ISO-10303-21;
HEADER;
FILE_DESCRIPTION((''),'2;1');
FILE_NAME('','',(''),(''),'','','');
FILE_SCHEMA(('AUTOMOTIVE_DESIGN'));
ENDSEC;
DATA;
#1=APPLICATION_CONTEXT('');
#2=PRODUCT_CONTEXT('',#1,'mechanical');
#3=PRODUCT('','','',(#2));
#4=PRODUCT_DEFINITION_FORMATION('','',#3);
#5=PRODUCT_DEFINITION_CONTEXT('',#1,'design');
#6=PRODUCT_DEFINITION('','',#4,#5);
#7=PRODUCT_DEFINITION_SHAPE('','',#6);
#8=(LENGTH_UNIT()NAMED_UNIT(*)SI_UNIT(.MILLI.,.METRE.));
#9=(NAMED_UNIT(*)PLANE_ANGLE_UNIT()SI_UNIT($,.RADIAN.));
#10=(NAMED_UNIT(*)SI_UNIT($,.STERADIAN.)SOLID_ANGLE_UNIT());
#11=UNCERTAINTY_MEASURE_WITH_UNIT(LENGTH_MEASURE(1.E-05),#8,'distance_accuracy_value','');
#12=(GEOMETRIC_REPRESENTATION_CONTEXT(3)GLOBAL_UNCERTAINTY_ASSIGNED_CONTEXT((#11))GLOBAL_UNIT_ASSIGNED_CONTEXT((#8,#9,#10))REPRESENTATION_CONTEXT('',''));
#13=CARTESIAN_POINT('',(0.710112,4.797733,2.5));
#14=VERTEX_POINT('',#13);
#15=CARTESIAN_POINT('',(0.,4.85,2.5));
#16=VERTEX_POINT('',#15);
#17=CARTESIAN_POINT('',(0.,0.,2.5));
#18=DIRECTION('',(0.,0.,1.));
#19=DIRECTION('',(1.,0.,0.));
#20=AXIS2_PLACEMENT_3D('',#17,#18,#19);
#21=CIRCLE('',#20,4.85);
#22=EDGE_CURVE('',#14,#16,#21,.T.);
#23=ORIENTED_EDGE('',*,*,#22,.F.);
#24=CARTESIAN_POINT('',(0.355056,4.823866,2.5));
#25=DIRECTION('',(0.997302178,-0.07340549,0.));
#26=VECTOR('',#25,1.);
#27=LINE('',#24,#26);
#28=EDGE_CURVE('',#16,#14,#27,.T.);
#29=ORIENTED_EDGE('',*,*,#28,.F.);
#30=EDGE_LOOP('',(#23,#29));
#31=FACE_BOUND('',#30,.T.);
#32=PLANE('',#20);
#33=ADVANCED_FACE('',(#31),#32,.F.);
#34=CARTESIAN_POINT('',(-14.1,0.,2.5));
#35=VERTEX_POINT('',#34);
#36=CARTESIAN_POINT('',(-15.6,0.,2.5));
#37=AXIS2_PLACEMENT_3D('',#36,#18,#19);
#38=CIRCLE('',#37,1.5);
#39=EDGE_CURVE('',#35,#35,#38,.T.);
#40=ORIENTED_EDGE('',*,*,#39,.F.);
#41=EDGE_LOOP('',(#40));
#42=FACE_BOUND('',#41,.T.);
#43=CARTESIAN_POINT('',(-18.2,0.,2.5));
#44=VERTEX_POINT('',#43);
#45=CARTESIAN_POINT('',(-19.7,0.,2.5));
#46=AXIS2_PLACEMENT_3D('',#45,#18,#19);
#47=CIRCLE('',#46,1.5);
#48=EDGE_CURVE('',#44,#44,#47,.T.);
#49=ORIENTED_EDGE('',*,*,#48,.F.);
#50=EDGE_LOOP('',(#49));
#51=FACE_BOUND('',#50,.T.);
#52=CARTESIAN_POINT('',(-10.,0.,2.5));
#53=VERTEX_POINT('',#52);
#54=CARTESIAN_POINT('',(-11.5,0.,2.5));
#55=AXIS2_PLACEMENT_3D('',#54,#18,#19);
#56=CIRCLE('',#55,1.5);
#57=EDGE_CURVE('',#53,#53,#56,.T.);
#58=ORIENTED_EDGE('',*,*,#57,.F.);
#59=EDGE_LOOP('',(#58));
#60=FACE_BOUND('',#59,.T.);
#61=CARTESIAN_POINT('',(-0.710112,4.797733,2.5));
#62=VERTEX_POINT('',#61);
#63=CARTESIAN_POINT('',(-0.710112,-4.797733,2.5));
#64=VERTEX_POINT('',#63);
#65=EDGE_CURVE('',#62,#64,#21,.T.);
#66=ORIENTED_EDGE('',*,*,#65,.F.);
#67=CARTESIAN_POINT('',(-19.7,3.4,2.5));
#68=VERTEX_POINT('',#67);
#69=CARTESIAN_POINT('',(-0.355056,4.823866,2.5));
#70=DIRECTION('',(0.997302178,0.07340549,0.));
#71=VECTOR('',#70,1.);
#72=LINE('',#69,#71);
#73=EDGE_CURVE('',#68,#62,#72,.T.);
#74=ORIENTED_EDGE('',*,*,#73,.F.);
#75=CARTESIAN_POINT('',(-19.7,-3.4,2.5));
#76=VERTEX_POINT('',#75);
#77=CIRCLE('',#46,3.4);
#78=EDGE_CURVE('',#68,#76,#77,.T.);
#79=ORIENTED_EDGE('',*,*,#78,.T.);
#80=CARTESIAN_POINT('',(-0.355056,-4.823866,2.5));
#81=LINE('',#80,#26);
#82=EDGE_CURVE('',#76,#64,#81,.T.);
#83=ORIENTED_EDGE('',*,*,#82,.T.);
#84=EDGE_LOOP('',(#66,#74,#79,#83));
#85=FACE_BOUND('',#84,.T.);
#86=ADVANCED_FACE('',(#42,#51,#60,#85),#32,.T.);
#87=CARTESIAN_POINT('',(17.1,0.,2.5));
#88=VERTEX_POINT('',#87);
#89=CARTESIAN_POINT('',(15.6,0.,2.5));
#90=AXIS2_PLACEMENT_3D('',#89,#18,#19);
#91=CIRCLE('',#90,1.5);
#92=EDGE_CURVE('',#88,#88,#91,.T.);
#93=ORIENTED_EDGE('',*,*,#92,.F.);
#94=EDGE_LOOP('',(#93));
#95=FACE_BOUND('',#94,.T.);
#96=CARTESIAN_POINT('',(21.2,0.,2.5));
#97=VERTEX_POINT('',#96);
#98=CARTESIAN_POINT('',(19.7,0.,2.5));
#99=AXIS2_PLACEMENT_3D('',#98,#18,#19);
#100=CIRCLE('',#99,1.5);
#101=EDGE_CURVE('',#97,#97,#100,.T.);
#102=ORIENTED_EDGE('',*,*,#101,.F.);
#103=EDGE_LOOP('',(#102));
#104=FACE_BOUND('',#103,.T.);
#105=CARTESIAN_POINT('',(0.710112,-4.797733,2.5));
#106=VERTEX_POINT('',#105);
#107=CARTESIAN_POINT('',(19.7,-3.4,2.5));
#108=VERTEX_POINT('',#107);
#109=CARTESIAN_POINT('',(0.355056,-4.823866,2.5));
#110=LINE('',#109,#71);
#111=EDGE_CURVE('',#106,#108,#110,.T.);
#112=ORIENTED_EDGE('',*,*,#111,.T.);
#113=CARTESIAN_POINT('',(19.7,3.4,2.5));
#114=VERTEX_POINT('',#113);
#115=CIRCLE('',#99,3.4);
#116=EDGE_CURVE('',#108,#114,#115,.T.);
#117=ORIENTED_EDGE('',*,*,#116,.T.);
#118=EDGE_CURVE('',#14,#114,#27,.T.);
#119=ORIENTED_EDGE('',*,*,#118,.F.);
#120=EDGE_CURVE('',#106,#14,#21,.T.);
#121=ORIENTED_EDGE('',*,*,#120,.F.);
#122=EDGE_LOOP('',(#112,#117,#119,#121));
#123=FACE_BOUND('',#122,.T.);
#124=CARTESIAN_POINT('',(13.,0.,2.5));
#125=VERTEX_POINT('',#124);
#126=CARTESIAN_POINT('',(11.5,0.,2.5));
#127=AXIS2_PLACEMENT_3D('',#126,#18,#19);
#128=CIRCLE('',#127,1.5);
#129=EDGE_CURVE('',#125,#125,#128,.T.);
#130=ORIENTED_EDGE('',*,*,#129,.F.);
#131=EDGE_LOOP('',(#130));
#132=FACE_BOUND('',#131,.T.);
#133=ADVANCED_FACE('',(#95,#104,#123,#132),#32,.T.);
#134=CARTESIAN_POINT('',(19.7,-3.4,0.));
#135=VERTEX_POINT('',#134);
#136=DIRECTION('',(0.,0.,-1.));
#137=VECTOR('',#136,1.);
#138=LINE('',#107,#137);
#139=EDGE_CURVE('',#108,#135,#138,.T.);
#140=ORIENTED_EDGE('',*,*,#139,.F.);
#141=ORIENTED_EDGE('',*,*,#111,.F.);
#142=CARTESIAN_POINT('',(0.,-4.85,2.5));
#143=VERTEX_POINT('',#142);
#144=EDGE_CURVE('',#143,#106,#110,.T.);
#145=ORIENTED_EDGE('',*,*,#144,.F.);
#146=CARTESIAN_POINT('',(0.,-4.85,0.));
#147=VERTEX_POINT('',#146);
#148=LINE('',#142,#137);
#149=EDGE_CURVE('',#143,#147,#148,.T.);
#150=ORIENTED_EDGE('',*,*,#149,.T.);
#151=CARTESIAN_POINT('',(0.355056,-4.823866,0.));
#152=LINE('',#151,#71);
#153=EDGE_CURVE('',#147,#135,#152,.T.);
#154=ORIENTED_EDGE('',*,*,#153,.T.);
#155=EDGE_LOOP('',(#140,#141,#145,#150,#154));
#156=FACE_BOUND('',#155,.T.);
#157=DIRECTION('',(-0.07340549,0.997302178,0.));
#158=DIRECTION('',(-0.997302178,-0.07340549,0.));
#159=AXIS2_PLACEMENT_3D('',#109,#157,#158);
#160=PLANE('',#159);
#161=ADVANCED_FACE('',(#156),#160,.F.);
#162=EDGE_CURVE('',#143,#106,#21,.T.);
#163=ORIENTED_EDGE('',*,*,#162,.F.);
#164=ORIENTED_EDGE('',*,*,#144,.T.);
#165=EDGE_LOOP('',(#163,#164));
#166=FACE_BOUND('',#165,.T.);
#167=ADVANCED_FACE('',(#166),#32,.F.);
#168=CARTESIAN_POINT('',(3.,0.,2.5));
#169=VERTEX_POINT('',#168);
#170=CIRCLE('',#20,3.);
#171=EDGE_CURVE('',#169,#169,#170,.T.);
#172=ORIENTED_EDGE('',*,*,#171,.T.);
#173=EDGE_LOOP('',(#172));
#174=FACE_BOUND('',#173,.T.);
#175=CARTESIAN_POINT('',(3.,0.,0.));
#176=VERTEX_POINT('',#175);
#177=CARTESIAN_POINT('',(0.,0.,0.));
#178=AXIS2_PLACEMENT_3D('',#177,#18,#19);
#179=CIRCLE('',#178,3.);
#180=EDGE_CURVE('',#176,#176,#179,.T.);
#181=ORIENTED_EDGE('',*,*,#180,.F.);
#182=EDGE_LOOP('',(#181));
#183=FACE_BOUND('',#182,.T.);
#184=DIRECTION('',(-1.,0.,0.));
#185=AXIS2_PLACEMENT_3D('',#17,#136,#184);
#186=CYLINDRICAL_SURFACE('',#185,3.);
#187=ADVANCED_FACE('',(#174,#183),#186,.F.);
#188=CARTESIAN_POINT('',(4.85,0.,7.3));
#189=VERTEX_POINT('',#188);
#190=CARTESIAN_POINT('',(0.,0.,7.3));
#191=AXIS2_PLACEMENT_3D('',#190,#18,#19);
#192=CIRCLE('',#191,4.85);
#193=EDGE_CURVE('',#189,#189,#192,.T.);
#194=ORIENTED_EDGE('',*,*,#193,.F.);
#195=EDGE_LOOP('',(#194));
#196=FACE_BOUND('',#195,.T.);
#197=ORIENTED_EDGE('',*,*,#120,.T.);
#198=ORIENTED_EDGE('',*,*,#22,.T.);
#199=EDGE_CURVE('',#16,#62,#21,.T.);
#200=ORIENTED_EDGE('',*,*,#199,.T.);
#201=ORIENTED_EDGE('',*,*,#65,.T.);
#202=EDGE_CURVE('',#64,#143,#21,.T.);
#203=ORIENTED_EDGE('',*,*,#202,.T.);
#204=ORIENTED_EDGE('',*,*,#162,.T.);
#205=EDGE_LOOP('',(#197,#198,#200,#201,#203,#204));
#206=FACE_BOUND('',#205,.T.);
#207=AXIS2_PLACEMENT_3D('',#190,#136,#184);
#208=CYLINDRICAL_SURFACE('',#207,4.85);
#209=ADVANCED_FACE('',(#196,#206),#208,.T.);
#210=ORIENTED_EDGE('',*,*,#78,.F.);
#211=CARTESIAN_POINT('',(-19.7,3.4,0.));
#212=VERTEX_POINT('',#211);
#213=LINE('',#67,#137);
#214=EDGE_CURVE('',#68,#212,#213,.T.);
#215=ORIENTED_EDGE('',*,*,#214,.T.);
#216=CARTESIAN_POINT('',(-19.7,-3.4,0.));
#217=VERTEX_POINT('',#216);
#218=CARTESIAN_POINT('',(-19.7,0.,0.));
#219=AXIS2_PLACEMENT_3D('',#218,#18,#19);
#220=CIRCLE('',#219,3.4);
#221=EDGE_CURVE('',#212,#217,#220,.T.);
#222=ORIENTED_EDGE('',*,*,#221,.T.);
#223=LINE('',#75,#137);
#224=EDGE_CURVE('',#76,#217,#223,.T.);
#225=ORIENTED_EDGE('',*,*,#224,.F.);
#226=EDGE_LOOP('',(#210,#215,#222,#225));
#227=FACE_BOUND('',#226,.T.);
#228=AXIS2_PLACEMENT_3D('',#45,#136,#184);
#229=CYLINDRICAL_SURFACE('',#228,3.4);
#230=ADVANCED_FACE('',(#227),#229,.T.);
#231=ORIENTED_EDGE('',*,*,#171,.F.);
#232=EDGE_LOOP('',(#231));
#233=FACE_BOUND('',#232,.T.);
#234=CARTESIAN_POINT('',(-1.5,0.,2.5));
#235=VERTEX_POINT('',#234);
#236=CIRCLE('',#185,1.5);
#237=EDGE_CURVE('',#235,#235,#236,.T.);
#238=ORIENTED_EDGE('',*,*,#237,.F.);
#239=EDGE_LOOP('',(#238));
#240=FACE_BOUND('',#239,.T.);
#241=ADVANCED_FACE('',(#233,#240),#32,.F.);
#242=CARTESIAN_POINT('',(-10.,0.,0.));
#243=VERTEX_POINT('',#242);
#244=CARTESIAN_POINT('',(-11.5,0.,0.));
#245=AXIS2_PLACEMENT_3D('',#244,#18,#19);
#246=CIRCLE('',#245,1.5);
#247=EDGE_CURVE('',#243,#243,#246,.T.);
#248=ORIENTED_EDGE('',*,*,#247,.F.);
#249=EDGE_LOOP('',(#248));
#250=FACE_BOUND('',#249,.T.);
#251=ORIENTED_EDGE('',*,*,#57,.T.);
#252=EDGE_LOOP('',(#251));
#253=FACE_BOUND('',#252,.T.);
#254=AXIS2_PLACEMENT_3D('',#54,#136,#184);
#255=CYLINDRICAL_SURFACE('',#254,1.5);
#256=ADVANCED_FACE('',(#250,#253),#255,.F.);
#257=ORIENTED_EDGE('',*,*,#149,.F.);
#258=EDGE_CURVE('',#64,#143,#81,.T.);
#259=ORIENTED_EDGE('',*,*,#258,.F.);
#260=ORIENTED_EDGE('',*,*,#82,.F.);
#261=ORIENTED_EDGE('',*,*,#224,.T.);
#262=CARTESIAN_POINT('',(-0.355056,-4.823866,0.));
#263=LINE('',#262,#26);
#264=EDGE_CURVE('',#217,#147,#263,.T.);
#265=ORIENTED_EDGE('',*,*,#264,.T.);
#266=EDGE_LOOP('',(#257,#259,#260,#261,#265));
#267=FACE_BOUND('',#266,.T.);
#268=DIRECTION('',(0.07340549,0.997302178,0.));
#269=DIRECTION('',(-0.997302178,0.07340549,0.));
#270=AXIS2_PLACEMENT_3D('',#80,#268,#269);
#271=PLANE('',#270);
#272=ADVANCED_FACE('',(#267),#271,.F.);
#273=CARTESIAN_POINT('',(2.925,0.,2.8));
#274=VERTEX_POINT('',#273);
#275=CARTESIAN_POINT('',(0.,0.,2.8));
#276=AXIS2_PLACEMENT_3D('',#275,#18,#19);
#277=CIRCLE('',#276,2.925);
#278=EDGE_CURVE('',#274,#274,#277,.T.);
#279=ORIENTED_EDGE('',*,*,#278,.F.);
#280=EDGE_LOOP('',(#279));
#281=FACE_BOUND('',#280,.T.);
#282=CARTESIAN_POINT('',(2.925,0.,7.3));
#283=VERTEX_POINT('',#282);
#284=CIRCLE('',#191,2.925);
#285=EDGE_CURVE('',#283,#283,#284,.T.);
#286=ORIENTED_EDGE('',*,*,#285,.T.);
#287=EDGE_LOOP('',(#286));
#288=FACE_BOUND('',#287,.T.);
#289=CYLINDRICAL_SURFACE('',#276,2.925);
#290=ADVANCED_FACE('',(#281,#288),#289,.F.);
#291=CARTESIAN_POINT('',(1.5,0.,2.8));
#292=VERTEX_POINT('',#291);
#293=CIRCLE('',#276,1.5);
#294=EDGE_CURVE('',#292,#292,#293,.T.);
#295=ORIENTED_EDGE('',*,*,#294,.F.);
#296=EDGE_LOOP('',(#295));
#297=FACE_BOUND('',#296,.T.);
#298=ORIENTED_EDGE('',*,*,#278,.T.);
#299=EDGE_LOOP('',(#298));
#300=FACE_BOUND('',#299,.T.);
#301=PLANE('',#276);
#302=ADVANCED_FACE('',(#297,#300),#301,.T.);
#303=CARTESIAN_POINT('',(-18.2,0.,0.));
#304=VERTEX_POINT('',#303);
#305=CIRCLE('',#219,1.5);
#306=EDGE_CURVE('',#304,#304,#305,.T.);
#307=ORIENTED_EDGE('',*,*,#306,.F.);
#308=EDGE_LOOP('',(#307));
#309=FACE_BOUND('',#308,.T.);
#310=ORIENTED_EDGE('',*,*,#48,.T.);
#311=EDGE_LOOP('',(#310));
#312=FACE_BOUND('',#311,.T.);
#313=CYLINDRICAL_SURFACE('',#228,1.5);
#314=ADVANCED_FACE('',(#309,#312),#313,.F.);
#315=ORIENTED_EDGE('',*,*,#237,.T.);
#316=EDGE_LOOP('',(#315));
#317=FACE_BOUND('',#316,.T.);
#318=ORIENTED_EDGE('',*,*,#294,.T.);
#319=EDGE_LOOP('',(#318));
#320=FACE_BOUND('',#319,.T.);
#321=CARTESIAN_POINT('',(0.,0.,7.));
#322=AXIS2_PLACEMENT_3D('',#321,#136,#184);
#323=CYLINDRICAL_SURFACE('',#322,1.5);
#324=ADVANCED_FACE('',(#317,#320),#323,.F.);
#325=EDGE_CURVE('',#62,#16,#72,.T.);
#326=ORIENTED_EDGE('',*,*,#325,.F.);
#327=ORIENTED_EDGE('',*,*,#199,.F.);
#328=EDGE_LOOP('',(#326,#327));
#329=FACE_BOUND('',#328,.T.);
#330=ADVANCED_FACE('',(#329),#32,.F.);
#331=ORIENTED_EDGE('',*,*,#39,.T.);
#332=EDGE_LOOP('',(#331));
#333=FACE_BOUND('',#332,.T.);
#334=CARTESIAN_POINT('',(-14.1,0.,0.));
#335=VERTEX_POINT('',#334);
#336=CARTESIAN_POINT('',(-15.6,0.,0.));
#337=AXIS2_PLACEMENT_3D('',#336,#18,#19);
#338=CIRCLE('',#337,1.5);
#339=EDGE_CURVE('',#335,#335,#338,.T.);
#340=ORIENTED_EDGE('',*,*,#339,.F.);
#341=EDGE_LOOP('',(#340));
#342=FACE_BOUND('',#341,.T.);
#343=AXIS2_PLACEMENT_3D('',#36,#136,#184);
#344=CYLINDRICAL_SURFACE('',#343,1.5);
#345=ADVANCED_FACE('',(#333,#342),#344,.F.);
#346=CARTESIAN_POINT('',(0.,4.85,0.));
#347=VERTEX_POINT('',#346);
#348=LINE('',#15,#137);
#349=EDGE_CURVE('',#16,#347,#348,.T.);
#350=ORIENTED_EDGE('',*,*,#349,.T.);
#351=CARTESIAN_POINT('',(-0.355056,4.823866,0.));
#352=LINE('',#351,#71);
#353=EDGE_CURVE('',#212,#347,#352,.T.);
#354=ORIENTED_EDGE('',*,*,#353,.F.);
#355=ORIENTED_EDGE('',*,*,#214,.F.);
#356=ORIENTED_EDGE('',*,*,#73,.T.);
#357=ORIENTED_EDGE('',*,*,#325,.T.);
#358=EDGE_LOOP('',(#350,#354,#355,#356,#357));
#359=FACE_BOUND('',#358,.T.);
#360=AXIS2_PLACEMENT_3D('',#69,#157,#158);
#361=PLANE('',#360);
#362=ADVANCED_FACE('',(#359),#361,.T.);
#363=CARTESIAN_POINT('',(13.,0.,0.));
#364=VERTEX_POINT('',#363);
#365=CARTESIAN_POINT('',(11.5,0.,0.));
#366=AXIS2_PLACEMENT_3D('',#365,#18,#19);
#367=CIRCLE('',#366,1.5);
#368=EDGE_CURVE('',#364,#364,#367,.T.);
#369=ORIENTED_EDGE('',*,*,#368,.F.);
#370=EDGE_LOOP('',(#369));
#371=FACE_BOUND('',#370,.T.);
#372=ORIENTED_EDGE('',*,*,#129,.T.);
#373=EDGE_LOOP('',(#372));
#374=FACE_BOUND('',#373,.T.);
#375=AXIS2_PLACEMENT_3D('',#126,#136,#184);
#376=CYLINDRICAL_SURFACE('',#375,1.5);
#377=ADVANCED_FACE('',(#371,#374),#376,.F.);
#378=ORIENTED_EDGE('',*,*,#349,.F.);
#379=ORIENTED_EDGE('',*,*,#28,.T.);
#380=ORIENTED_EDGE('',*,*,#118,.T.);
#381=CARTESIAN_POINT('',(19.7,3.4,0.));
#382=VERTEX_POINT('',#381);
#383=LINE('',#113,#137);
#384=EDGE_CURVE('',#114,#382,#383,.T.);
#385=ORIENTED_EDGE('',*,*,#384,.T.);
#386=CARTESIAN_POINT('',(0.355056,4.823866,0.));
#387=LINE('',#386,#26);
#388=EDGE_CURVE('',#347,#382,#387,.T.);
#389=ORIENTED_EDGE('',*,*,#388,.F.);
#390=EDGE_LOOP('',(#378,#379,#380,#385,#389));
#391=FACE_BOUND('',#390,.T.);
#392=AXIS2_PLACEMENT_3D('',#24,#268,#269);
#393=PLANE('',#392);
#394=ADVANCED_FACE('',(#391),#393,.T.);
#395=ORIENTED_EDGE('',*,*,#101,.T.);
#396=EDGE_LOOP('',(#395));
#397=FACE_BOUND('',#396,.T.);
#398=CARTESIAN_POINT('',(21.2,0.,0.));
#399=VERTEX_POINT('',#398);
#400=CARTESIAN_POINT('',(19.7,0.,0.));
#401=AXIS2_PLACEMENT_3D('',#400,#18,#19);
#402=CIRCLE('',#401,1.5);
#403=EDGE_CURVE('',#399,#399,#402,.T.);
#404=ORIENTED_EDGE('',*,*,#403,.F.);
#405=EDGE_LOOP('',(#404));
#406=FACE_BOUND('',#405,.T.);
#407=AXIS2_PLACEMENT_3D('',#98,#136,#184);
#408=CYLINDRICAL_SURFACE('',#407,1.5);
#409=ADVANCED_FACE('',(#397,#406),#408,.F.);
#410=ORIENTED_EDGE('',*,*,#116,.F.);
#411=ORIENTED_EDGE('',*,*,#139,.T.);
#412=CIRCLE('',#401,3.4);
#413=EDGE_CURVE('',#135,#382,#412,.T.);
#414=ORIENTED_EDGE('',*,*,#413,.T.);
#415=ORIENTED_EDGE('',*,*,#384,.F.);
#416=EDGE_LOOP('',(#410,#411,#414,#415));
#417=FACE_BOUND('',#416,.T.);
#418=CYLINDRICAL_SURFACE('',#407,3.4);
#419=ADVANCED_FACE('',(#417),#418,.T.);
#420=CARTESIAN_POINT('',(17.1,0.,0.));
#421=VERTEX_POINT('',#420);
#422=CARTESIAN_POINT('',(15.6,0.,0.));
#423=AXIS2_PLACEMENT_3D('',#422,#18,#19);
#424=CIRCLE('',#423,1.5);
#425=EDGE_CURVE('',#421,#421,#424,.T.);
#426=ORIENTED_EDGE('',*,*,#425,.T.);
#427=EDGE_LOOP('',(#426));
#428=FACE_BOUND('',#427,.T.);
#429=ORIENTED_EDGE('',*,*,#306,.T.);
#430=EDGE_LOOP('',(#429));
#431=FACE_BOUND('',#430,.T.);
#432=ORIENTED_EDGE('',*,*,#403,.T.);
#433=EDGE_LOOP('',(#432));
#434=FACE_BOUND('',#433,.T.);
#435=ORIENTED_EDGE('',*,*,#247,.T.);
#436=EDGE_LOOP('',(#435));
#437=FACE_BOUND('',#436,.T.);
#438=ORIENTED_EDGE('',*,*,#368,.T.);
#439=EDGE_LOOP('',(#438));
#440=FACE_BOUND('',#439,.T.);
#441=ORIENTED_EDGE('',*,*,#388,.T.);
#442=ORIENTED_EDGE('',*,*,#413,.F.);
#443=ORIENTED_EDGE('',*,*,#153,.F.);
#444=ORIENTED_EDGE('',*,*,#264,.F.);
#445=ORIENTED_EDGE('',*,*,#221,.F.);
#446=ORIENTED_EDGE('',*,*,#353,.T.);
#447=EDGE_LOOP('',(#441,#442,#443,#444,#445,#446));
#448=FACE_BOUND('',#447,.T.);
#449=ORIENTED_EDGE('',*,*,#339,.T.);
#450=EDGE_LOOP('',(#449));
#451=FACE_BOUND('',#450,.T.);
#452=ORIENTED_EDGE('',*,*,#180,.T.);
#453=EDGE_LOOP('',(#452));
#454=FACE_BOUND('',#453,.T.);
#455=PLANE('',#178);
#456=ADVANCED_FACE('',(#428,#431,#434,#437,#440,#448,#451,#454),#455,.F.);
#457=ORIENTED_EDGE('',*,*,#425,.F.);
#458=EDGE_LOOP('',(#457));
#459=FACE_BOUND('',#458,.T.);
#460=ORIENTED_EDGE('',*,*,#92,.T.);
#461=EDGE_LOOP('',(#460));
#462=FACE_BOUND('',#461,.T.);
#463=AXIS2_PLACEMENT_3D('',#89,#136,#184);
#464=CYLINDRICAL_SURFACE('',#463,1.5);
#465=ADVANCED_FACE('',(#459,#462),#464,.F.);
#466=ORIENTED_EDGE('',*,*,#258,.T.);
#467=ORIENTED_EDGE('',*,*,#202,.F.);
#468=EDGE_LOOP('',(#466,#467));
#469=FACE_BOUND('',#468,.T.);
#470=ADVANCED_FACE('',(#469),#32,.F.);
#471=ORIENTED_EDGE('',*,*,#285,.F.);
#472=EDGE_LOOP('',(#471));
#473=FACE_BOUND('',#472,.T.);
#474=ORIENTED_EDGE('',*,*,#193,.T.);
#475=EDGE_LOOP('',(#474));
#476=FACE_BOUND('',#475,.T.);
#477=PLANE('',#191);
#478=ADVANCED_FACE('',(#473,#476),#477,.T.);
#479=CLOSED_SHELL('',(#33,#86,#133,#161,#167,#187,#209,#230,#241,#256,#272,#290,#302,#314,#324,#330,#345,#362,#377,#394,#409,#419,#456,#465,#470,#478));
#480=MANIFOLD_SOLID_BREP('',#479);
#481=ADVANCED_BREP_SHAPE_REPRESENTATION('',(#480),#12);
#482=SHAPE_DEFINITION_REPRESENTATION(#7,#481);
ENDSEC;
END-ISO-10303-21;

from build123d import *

# Parameters (mm, degrees)
SKETCH_1_R          = 1.5
SKETCH_1_R_2        = 3
EXTRUDE_1_DEPTH     = 2.5
SKETCH_2_R          = 4.85
EXTRUDE_2_DEPTH     = 4.8
SKETCH_3_R          = 2.925
CUT_EXTRUDE_1_DEPTH = 4.5
SKETCH_4_R          = 1.5
CUT_EXTRUDE_2_DEPTH = 4.5


with BuildPart() as part:
    # 草图1 → 凸台-拉伸1 (new body)
    # profile 1 of 3: a face of its own
    with BuildSketch(Plane.XY):
        with BuildLine():
            Line((-0.710112316, 4.79773285), (-19.7, 3.4))
            ThreePointArc((-19.7, 3.4), (-23.1, 0), (-19.7, -3.4))
            Line((-19.7, -3.4), (-0.710112316, -4.79773285))
            ThreePointArc((-0.710112316, -4.79773285), (-4.85, 0), (-0.710112316, 4.79773285))
        make_face()
        with Locations((-19.7, 0)):
            Circle(SKETCH_1_R, mode=Mode.SUBTRACT)
        with Locations((-15.6, 0)):
            Circle(SKETCH_1_R, mode=Mode.SUBTRACT)
        with Locations((-11.5, 0)):
            Circle(SKETCH_1_R, mode=Mode.SUBTRACT)
    # profile 2 of 3: a face of its own
    with BuildSketch(Plane.XY):
        with BuildLine():
            Line((19.7, 3.4), (0.710112316, 4.79773285))
            ThreePointArc((0.710112316, 4.79773285), (3.671957566, 3.168474023), (4.85, 0))
            ThreePointArc((4.85, 0), (3.671957566, -3.168474023), (0.710112316, -4.79773285))
            Line((0.710112316, -4.79773285), (19.7, -3.4))
            ThreePointArc((19.7, -3.4), (23.1, 0), (19.7, 3.4))
        make_face()
        with Locations((11.5, 0)):
            Circle(SKETCH_1_R, mode=Mode.SUBTRACT)
        with Locations((15.6, 0)):
            Circle(SKETCH_1_R, mode=Mode.SUBTRACT)
        with Locations((19.7, 0)):
            Circle(SKETCH_1_R, mode=Mode.SUBTRACT)
    # profile 3 of 3: a face of its own
    with BuildSketch(Plane.XY):
        with BuildLine():
            Line((0, 4.85), (-0.710112316, 4.79773285))
            ThreePointArc((-0.710112316, 4.79773285), (-4.85, 0), (-0.710112316, -4.79773285))
            Line((-0.710112316, -4.79773285), (0, -4.85))
            Line((0, -4.85), (0.710112316, -4.79773285))
            ThreePointArc((0.710112316, -4.79773285), (3.671957566, -3.168474023), (4.85, 0))
            ThreePointArc((4.85, 0), (3.671957566, 3.168474023), (0.710112316, 4.79773285))
            Line((0.710112316, 4.79773285), (0, 4.85))
        make_face()
        Circle(SKETCH_1_R_2, mode=Mode.SUBTRACT)
    extrude(amount=EXTRUDE_1_DEPTH)

    # 草图2 → 凸台-拉伸2 (add)
    with BuildSketch(Plane.XY.offset(2.5)):
        with Locations(Location((0, 0, 0), (0, 0, 98.419222119))):
            Circle(SKETCH_2_R)
    extrude(amount=EXTRUDE_2_DEPTH)

    # 草图3 → 切除-拉伸1 (cut)
    with BuildSketch(Plane.XY.offset(7.3)):
        Circle(SKETCH_3_R)
    extrude(amount=-CUT_EXTRUDE_1_DEPTH, mode=Mode.SUBTRACT)

    # 草图4 → 切除-拉伸2 (cut)
    with BuildSketch(Plane(origin=(0, 0, 2.5), x_dir=(-1, 0, 0), z_dir=(0, 0, -1))):
        Circle(SKETCH_4_R)
    extrude(amount=-CUT_EXTRUDE_2_DEPTH, mode=Mode.SUBTRACT)


solid = part.part
